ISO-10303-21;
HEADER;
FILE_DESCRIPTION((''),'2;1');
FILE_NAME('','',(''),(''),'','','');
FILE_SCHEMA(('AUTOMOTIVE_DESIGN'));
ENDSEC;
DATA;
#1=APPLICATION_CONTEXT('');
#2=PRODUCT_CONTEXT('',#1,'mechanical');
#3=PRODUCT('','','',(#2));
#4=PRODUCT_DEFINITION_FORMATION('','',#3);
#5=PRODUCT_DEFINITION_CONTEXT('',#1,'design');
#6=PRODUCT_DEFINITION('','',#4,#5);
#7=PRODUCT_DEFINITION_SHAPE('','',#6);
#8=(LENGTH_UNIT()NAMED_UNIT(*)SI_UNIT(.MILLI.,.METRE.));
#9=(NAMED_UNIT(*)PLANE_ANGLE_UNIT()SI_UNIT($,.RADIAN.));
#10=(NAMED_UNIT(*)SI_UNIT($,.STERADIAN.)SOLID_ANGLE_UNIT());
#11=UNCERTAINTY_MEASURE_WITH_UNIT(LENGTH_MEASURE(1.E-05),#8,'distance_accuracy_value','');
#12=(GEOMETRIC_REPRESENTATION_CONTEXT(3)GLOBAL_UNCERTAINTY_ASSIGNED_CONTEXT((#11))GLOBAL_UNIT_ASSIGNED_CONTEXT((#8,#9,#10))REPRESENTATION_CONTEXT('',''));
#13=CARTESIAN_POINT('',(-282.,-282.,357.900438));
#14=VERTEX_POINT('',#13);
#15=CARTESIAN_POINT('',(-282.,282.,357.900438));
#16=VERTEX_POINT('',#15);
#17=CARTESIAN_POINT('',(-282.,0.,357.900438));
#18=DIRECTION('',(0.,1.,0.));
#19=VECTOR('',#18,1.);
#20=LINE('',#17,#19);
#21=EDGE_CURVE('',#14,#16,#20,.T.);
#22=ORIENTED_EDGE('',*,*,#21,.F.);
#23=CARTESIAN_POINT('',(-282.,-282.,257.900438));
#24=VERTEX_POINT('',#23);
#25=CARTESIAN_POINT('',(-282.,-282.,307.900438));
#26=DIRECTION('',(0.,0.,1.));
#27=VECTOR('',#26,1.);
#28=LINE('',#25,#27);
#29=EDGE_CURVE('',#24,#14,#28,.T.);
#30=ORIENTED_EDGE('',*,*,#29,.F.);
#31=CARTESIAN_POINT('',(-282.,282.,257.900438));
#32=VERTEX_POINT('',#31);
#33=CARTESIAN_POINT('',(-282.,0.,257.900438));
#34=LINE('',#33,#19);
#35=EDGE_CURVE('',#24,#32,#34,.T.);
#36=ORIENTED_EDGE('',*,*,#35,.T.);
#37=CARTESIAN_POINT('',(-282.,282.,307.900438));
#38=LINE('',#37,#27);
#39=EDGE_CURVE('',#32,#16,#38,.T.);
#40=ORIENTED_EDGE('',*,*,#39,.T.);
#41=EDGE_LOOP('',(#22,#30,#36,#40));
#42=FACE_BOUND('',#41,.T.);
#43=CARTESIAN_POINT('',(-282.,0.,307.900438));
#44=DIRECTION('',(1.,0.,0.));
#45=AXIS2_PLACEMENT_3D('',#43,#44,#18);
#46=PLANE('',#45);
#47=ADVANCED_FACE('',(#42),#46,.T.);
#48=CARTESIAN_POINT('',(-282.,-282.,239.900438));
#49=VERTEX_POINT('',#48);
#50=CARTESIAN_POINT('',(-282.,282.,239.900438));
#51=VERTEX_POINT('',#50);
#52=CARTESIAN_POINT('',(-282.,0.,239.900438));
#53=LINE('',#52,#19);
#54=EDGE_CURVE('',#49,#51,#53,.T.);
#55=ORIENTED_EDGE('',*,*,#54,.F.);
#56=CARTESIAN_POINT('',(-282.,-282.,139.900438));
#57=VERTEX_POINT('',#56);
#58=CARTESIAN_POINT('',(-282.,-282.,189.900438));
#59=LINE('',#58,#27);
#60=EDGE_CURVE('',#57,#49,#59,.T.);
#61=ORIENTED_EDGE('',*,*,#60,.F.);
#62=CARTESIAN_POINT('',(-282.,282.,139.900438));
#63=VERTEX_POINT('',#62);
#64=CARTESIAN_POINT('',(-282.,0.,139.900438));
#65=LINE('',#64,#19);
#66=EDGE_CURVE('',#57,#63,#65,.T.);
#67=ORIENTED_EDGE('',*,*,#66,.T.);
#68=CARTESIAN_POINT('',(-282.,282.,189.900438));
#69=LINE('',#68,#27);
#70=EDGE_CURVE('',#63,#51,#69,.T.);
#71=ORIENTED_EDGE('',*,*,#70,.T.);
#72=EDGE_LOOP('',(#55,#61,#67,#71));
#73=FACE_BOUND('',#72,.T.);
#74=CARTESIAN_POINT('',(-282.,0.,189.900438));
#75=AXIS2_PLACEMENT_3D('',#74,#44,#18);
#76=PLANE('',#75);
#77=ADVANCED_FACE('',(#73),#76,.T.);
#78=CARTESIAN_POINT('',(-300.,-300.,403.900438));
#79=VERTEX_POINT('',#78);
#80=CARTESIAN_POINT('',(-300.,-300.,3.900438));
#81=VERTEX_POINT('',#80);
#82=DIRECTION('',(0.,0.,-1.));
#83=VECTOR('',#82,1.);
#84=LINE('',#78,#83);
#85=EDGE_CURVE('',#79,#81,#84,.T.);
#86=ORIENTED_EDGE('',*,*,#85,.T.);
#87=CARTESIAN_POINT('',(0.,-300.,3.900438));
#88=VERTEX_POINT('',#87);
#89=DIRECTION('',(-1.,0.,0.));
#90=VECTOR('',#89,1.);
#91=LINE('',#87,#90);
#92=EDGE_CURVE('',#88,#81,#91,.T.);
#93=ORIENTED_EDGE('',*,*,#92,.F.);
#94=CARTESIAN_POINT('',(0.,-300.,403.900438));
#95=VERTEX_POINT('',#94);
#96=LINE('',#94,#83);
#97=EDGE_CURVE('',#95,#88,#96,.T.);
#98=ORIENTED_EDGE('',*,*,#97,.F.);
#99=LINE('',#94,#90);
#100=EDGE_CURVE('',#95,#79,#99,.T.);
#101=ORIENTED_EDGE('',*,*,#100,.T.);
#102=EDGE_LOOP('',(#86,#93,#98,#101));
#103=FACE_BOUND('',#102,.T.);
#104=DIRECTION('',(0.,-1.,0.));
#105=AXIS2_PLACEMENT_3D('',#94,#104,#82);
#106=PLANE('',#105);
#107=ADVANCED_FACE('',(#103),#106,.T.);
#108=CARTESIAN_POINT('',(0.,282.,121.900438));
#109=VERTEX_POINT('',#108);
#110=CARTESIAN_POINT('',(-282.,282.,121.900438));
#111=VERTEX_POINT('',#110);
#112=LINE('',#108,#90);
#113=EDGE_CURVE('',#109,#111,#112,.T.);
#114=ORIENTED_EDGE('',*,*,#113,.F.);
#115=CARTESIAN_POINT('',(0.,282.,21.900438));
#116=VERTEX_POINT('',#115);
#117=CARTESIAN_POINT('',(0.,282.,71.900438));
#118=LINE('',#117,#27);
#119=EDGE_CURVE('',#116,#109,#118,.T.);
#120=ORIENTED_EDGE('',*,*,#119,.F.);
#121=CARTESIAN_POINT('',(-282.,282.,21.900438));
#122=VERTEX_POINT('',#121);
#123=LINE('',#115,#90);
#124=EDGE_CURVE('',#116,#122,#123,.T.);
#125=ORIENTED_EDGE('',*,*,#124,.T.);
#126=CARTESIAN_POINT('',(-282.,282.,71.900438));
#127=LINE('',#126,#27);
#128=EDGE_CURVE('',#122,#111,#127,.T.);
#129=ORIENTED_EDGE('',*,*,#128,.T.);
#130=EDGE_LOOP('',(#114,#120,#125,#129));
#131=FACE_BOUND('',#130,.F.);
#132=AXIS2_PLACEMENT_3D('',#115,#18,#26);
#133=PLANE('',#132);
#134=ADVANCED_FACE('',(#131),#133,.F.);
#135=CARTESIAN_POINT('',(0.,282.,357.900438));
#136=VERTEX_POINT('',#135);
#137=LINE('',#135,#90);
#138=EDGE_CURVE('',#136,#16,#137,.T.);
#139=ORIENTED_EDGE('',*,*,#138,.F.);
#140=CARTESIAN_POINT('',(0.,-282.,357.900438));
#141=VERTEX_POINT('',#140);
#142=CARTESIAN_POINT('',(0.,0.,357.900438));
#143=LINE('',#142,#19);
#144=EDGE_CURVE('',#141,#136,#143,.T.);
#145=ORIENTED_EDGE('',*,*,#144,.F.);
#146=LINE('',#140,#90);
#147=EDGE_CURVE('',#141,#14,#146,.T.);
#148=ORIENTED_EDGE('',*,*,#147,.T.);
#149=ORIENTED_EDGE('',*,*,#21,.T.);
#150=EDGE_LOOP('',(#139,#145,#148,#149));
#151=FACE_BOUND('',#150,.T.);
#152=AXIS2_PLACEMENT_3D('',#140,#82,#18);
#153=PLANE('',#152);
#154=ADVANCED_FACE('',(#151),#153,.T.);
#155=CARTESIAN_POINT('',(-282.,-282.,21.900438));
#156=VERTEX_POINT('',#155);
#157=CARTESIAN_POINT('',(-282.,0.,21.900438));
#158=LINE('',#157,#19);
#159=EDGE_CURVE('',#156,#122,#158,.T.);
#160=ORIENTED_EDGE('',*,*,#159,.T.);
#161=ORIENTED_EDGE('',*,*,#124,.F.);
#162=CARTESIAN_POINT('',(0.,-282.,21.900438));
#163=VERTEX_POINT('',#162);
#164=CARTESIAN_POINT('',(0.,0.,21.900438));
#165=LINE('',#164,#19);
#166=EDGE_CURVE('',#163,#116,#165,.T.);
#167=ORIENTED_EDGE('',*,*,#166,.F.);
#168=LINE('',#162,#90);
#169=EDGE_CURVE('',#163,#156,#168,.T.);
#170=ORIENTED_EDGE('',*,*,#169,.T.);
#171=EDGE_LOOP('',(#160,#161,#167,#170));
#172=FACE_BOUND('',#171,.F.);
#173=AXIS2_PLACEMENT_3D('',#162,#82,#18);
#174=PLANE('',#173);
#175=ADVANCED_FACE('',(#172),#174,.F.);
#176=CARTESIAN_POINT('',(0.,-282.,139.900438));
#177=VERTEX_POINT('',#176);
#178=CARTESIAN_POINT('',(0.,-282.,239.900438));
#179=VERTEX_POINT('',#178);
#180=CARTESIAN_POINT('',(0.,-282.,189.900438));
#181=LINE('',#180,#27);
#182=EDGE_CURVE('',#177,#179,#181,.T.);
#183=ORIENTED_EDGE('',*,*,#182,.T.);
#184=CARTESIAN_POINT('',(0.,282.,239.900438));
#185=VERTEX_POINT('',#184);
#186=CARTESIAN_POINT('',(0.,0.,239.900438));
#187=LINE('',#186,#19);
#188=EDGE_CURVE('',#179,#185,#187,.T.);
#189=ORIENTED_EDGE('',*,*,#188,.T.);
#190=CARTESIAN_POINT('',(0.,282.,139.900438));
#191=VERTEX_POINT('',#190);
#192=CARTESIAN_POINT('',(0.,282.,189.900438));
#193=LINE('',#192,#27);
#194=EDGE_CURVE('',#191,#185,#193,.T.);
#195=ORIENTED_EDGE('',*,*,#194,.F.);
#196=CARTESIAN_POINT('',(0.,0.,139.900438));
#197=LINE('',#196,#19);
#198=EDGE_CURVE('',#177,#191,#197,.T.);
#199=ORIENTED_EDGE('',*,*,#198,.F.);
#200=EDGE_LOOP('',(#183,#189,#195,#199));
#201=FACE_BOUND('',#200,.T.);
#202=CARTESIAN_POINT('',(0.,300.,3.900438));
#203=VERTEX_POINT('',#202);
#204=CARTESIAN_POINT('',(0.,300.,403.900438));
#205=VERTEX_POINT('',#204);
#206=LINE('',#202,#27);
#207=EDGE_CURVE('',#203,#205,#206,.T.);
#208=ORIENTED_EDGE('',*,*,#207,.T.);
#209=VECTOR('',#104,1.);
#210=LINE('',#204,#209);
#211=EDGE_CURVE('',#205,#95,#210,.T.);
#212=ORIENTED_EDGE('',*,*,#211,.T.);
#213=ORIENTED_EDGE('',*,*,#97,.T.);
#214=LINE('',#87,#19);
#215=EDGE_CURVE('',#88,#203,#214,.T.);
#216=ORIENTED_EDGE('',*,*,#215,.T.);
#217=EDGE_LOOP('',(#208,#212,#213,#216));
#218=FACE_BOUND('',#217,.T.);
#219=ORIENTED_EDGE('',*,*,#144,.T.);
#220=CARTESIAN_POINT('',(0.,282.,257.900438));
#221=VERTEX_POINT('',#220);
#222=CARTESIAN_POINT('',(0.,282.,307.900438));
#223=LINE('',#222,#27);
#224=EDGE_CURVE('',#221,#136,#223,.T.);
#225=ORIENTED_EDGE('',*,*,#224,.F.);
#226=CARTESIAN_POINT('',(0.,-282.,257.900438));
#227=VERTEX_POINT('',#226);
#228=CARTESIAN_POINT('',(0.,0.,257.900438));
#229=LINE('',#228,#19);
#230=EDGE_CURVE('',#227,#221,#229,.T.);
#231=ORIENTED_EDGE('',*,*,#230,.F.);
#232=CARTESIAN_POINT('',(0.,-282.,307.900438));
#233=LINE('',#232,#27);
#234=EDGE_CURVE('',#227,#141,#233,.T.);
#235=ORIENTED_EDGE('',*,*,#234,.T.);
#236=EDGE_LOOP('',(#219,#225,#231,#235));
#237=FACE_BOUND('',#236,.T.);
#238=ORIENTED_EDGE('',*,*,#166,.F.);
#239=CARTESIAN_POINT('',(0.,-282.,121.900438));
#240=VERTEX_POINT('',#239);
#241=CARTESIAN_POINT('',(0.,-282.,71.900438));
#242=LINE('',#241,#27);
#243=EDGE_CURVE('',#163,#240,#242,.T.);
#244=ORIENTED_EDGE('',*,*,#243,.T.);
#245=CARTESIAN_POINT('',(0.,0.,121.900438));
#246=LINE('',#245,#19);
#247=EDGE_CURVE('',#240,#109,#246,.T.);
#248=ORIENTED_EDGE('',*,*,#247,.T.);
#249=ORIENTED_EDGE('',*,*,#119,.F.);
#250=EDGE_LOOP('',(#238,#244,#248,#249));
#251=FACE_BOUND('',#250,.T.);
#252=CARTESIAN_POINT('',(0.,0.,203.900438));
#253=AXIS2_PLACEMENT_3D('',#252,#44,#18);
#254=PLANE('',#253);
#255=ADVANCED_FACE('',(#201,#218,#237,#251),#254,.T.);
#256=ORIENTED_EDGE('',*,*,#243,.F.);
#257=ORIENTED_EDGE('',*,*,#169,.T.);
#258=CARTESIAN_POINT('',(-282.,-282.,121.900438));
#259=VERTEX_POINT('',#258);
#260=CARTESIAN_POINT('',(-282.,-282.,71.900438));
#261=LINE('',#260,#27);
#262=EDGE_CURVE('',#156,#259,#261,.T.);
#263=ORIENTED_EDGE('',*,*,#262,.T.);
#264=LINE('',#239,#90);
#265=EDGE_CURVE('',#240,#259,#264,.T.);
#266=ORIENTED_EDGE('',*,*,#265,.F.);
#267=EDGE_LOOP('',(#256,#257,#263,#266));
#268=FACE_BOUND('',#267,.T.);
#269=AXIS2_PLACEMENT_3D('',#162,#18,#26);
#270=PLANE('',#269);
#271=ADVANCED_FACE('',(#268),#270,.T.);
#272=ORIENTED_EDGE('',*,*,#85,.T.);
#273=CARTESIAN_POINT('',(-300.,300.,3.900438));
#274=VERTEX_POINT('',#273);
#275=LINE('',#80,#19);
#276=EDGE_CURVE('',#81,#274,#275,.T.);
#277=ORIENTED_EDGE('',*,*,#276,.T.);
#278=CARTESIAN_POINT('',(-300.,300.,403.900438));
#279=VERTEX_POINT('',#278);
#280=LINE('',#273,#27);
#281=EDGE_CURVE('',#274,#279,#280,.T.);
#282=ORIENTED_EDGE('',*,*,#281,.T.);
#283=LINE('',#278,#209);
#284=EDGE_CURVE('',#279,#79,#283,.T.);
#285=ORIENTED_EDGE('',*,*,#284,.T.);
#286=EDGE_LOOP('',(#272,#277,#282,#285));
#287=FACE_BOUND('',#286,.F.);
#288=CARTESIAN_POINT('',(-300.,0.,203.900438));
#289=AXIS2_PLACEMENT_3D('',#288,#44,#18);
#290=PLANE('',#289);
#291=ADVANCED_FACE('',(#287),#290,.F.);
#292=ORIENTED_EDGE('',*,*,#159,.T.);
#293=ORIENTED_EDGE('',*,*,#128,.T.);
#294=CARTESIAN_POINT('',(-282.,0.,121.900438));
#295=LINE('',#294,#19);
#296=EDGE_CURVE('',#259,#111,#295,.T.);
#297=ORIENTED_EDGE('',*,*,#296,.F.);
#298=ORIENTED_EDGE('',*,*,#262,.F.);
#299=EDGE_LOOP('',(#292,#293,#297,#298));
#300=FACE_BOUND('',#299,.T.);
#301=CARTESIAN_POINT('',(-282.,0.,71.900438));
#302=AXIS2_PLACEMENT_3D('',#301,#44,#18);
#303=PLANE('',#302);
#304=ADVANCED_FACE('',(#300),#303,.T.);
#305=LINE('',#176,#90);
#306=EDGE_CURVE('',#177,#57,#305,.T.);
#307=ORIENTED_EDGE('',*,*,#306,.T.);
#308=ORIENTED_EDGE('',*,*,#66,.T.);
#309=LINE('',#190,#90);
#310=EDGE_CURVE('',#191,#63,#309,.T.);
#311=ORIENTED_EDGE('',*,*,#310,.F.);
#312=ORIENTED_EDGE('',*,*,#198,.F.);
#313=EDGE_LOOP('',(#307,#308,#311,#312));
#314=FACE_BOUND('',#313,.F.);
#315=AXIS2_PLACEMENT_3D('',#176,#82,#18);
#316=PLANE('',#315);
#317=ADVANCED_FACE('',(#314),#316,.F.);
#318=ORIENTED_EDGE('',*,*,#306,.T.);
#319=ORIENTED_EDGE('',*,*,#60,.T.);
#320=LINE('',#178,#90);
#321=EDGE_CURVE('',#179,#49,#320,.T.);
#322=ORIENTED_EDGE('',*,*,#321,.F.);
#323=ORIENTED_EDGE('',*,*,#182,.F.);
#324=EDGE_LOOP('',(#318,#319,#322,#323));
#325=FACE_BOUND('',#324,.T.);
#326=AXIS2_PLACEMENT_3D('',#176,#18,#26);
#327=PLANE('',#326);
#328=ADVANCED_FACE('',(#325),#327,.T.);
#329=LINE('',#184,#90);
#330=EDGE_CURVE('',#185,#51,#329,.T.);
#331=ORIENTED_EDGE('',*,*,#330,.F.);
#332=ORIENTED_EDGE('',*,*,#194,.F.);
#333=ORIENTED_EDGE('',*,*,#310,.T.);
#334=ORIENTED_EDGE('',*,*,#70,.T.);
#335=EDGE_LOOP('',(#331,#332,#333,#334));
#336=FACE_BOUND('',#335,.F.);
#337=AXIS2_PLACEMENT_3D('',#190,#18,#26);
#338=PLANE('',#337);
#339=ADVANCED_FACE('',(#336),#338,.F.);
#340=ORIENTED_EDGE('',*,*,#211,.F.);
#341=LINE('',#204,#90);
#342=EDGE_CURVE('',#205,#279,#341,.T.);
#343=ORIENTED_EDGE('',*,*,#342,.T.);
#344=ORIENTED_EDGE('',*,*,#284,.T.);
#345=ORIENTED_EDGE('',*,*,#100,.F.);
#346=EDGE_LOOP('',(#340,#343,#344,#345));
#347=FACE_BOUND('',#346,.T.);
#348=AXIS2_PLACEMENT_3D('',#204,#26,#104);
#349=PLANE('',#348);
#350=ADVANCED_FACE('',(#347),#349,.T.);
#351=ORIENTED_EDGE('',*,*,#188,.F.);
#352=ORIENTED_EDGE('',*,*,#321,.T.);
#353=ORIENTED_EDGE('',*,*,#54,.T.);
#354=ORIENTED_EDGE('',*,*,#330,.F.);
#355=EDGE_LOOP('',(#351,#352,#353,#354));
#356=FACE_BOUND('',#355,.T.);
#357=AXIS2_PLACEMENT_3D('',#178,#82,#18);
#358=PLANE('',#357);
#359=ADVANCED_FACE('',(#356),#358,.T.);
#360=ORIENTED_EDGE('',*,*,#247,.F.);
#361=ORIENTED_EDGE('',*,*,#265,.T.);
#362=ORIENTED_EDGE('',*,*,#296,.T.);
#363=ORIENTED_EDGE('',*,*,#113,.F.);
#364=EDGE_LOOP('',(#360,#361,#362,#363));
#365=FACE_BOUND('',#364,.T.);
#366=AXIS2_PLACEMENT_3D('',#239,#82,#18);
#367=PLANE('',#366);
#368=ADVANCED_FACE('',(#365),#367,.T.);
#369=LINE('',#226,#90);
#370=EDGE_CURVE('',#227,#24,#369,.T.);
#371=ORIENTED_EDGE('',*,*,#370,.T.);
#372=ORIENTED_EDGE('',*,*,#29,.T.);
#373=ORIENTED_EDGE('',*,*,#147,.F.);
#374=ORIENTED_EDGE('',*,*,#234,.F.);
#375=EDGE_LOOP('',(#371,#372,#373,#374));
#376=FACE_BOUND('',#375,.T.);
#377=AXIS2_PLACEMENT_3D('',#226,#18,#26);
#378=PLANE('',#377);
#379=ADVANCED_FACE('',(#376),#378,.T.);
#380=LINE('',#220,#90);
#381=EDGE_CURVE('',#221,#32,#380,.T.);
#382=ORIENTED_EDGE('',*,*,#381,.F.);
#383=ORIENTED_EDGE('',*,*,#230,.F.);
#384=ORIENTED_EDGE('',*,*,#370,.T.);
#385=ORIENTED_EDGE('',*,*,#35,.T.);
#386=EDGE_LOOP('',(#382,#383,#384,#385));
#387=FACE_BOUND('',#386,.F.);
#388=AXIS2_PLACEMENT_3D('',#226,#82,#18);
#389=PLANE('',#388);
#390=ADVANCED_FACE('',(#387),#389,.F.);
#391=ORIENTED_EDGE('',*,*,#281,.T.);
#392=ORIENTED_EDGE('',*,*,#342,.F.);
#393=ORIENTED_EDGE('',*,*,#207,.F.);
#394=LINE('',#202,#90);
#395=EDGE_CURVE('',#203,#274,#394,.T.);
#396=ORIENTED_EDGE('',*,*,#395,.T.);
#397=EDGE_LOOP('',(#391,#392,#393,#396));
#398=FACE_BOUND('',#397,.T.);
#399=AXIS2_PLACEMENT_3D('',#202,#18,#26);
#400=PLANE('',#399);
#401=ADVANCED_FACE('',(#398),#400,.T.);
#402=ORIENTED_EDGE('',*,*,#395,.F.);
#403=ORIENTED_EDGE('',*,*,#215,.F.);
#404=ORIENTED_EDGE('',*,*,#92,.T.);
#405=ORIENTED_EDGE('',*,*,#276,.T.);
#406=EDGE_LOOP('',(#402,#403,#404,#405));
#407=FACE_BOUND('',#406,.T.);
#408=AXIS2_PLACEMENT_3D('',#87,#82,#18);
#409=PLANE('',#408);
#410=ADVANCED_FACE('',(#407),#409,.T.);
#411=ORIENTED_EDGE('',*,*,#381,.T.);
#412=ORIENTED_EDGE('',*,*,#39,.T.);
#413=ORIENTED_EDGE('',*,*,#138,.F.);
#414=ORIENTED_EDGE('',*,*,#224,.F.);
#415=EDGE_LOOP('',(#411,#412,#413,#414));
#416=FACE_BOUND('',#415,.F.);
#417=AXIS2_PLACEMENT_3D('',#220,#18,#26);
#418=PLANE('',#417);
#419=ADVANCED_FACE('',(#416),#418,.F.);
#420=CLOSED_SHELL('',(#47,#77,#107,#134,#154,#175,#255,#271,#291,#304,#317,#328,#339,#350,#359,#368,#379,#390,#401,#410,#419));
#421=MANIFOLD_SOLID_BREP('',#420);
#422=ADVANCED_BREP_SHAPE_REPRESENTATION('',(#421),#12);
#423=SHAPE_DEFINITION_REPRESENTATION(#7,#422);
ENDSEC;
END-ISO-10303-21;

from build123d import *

# Parameters (mm, degrees)
F1_DEPTH = 300
F2_W     = 564
F2_H     = 100
F3_DEPTH = 282


with BuildPart() as f1:
    # F0 (on Right) → F1 (new body)
    with BuildSketch(Plane.YZ):
        Polygon((-300, 3.9004381746), (0, 3.9004381746), (300, 3.9004381746), (300, 403.9004381746), (-300, 403.9004381746), align=None)
    extrude(amount=-F1_DEPTH)

    # F2 (on face) → F3 (cut)
    with BuildSketch(Plane.YZ):
        with Locations((0, 307.9004381746)):
            Rectangle(F2_W, F2_H)
        with Locations((0, 189.9004381746)):
            Rectangle(F2_W, F2_H)
        with Locations((0, 71.9004381746)):
            Rectangle(F2_W, F2_H)
    extrude(amount=-F3_DEPTH, mode=Mode.SUBTRACT)


solid = f1.part
